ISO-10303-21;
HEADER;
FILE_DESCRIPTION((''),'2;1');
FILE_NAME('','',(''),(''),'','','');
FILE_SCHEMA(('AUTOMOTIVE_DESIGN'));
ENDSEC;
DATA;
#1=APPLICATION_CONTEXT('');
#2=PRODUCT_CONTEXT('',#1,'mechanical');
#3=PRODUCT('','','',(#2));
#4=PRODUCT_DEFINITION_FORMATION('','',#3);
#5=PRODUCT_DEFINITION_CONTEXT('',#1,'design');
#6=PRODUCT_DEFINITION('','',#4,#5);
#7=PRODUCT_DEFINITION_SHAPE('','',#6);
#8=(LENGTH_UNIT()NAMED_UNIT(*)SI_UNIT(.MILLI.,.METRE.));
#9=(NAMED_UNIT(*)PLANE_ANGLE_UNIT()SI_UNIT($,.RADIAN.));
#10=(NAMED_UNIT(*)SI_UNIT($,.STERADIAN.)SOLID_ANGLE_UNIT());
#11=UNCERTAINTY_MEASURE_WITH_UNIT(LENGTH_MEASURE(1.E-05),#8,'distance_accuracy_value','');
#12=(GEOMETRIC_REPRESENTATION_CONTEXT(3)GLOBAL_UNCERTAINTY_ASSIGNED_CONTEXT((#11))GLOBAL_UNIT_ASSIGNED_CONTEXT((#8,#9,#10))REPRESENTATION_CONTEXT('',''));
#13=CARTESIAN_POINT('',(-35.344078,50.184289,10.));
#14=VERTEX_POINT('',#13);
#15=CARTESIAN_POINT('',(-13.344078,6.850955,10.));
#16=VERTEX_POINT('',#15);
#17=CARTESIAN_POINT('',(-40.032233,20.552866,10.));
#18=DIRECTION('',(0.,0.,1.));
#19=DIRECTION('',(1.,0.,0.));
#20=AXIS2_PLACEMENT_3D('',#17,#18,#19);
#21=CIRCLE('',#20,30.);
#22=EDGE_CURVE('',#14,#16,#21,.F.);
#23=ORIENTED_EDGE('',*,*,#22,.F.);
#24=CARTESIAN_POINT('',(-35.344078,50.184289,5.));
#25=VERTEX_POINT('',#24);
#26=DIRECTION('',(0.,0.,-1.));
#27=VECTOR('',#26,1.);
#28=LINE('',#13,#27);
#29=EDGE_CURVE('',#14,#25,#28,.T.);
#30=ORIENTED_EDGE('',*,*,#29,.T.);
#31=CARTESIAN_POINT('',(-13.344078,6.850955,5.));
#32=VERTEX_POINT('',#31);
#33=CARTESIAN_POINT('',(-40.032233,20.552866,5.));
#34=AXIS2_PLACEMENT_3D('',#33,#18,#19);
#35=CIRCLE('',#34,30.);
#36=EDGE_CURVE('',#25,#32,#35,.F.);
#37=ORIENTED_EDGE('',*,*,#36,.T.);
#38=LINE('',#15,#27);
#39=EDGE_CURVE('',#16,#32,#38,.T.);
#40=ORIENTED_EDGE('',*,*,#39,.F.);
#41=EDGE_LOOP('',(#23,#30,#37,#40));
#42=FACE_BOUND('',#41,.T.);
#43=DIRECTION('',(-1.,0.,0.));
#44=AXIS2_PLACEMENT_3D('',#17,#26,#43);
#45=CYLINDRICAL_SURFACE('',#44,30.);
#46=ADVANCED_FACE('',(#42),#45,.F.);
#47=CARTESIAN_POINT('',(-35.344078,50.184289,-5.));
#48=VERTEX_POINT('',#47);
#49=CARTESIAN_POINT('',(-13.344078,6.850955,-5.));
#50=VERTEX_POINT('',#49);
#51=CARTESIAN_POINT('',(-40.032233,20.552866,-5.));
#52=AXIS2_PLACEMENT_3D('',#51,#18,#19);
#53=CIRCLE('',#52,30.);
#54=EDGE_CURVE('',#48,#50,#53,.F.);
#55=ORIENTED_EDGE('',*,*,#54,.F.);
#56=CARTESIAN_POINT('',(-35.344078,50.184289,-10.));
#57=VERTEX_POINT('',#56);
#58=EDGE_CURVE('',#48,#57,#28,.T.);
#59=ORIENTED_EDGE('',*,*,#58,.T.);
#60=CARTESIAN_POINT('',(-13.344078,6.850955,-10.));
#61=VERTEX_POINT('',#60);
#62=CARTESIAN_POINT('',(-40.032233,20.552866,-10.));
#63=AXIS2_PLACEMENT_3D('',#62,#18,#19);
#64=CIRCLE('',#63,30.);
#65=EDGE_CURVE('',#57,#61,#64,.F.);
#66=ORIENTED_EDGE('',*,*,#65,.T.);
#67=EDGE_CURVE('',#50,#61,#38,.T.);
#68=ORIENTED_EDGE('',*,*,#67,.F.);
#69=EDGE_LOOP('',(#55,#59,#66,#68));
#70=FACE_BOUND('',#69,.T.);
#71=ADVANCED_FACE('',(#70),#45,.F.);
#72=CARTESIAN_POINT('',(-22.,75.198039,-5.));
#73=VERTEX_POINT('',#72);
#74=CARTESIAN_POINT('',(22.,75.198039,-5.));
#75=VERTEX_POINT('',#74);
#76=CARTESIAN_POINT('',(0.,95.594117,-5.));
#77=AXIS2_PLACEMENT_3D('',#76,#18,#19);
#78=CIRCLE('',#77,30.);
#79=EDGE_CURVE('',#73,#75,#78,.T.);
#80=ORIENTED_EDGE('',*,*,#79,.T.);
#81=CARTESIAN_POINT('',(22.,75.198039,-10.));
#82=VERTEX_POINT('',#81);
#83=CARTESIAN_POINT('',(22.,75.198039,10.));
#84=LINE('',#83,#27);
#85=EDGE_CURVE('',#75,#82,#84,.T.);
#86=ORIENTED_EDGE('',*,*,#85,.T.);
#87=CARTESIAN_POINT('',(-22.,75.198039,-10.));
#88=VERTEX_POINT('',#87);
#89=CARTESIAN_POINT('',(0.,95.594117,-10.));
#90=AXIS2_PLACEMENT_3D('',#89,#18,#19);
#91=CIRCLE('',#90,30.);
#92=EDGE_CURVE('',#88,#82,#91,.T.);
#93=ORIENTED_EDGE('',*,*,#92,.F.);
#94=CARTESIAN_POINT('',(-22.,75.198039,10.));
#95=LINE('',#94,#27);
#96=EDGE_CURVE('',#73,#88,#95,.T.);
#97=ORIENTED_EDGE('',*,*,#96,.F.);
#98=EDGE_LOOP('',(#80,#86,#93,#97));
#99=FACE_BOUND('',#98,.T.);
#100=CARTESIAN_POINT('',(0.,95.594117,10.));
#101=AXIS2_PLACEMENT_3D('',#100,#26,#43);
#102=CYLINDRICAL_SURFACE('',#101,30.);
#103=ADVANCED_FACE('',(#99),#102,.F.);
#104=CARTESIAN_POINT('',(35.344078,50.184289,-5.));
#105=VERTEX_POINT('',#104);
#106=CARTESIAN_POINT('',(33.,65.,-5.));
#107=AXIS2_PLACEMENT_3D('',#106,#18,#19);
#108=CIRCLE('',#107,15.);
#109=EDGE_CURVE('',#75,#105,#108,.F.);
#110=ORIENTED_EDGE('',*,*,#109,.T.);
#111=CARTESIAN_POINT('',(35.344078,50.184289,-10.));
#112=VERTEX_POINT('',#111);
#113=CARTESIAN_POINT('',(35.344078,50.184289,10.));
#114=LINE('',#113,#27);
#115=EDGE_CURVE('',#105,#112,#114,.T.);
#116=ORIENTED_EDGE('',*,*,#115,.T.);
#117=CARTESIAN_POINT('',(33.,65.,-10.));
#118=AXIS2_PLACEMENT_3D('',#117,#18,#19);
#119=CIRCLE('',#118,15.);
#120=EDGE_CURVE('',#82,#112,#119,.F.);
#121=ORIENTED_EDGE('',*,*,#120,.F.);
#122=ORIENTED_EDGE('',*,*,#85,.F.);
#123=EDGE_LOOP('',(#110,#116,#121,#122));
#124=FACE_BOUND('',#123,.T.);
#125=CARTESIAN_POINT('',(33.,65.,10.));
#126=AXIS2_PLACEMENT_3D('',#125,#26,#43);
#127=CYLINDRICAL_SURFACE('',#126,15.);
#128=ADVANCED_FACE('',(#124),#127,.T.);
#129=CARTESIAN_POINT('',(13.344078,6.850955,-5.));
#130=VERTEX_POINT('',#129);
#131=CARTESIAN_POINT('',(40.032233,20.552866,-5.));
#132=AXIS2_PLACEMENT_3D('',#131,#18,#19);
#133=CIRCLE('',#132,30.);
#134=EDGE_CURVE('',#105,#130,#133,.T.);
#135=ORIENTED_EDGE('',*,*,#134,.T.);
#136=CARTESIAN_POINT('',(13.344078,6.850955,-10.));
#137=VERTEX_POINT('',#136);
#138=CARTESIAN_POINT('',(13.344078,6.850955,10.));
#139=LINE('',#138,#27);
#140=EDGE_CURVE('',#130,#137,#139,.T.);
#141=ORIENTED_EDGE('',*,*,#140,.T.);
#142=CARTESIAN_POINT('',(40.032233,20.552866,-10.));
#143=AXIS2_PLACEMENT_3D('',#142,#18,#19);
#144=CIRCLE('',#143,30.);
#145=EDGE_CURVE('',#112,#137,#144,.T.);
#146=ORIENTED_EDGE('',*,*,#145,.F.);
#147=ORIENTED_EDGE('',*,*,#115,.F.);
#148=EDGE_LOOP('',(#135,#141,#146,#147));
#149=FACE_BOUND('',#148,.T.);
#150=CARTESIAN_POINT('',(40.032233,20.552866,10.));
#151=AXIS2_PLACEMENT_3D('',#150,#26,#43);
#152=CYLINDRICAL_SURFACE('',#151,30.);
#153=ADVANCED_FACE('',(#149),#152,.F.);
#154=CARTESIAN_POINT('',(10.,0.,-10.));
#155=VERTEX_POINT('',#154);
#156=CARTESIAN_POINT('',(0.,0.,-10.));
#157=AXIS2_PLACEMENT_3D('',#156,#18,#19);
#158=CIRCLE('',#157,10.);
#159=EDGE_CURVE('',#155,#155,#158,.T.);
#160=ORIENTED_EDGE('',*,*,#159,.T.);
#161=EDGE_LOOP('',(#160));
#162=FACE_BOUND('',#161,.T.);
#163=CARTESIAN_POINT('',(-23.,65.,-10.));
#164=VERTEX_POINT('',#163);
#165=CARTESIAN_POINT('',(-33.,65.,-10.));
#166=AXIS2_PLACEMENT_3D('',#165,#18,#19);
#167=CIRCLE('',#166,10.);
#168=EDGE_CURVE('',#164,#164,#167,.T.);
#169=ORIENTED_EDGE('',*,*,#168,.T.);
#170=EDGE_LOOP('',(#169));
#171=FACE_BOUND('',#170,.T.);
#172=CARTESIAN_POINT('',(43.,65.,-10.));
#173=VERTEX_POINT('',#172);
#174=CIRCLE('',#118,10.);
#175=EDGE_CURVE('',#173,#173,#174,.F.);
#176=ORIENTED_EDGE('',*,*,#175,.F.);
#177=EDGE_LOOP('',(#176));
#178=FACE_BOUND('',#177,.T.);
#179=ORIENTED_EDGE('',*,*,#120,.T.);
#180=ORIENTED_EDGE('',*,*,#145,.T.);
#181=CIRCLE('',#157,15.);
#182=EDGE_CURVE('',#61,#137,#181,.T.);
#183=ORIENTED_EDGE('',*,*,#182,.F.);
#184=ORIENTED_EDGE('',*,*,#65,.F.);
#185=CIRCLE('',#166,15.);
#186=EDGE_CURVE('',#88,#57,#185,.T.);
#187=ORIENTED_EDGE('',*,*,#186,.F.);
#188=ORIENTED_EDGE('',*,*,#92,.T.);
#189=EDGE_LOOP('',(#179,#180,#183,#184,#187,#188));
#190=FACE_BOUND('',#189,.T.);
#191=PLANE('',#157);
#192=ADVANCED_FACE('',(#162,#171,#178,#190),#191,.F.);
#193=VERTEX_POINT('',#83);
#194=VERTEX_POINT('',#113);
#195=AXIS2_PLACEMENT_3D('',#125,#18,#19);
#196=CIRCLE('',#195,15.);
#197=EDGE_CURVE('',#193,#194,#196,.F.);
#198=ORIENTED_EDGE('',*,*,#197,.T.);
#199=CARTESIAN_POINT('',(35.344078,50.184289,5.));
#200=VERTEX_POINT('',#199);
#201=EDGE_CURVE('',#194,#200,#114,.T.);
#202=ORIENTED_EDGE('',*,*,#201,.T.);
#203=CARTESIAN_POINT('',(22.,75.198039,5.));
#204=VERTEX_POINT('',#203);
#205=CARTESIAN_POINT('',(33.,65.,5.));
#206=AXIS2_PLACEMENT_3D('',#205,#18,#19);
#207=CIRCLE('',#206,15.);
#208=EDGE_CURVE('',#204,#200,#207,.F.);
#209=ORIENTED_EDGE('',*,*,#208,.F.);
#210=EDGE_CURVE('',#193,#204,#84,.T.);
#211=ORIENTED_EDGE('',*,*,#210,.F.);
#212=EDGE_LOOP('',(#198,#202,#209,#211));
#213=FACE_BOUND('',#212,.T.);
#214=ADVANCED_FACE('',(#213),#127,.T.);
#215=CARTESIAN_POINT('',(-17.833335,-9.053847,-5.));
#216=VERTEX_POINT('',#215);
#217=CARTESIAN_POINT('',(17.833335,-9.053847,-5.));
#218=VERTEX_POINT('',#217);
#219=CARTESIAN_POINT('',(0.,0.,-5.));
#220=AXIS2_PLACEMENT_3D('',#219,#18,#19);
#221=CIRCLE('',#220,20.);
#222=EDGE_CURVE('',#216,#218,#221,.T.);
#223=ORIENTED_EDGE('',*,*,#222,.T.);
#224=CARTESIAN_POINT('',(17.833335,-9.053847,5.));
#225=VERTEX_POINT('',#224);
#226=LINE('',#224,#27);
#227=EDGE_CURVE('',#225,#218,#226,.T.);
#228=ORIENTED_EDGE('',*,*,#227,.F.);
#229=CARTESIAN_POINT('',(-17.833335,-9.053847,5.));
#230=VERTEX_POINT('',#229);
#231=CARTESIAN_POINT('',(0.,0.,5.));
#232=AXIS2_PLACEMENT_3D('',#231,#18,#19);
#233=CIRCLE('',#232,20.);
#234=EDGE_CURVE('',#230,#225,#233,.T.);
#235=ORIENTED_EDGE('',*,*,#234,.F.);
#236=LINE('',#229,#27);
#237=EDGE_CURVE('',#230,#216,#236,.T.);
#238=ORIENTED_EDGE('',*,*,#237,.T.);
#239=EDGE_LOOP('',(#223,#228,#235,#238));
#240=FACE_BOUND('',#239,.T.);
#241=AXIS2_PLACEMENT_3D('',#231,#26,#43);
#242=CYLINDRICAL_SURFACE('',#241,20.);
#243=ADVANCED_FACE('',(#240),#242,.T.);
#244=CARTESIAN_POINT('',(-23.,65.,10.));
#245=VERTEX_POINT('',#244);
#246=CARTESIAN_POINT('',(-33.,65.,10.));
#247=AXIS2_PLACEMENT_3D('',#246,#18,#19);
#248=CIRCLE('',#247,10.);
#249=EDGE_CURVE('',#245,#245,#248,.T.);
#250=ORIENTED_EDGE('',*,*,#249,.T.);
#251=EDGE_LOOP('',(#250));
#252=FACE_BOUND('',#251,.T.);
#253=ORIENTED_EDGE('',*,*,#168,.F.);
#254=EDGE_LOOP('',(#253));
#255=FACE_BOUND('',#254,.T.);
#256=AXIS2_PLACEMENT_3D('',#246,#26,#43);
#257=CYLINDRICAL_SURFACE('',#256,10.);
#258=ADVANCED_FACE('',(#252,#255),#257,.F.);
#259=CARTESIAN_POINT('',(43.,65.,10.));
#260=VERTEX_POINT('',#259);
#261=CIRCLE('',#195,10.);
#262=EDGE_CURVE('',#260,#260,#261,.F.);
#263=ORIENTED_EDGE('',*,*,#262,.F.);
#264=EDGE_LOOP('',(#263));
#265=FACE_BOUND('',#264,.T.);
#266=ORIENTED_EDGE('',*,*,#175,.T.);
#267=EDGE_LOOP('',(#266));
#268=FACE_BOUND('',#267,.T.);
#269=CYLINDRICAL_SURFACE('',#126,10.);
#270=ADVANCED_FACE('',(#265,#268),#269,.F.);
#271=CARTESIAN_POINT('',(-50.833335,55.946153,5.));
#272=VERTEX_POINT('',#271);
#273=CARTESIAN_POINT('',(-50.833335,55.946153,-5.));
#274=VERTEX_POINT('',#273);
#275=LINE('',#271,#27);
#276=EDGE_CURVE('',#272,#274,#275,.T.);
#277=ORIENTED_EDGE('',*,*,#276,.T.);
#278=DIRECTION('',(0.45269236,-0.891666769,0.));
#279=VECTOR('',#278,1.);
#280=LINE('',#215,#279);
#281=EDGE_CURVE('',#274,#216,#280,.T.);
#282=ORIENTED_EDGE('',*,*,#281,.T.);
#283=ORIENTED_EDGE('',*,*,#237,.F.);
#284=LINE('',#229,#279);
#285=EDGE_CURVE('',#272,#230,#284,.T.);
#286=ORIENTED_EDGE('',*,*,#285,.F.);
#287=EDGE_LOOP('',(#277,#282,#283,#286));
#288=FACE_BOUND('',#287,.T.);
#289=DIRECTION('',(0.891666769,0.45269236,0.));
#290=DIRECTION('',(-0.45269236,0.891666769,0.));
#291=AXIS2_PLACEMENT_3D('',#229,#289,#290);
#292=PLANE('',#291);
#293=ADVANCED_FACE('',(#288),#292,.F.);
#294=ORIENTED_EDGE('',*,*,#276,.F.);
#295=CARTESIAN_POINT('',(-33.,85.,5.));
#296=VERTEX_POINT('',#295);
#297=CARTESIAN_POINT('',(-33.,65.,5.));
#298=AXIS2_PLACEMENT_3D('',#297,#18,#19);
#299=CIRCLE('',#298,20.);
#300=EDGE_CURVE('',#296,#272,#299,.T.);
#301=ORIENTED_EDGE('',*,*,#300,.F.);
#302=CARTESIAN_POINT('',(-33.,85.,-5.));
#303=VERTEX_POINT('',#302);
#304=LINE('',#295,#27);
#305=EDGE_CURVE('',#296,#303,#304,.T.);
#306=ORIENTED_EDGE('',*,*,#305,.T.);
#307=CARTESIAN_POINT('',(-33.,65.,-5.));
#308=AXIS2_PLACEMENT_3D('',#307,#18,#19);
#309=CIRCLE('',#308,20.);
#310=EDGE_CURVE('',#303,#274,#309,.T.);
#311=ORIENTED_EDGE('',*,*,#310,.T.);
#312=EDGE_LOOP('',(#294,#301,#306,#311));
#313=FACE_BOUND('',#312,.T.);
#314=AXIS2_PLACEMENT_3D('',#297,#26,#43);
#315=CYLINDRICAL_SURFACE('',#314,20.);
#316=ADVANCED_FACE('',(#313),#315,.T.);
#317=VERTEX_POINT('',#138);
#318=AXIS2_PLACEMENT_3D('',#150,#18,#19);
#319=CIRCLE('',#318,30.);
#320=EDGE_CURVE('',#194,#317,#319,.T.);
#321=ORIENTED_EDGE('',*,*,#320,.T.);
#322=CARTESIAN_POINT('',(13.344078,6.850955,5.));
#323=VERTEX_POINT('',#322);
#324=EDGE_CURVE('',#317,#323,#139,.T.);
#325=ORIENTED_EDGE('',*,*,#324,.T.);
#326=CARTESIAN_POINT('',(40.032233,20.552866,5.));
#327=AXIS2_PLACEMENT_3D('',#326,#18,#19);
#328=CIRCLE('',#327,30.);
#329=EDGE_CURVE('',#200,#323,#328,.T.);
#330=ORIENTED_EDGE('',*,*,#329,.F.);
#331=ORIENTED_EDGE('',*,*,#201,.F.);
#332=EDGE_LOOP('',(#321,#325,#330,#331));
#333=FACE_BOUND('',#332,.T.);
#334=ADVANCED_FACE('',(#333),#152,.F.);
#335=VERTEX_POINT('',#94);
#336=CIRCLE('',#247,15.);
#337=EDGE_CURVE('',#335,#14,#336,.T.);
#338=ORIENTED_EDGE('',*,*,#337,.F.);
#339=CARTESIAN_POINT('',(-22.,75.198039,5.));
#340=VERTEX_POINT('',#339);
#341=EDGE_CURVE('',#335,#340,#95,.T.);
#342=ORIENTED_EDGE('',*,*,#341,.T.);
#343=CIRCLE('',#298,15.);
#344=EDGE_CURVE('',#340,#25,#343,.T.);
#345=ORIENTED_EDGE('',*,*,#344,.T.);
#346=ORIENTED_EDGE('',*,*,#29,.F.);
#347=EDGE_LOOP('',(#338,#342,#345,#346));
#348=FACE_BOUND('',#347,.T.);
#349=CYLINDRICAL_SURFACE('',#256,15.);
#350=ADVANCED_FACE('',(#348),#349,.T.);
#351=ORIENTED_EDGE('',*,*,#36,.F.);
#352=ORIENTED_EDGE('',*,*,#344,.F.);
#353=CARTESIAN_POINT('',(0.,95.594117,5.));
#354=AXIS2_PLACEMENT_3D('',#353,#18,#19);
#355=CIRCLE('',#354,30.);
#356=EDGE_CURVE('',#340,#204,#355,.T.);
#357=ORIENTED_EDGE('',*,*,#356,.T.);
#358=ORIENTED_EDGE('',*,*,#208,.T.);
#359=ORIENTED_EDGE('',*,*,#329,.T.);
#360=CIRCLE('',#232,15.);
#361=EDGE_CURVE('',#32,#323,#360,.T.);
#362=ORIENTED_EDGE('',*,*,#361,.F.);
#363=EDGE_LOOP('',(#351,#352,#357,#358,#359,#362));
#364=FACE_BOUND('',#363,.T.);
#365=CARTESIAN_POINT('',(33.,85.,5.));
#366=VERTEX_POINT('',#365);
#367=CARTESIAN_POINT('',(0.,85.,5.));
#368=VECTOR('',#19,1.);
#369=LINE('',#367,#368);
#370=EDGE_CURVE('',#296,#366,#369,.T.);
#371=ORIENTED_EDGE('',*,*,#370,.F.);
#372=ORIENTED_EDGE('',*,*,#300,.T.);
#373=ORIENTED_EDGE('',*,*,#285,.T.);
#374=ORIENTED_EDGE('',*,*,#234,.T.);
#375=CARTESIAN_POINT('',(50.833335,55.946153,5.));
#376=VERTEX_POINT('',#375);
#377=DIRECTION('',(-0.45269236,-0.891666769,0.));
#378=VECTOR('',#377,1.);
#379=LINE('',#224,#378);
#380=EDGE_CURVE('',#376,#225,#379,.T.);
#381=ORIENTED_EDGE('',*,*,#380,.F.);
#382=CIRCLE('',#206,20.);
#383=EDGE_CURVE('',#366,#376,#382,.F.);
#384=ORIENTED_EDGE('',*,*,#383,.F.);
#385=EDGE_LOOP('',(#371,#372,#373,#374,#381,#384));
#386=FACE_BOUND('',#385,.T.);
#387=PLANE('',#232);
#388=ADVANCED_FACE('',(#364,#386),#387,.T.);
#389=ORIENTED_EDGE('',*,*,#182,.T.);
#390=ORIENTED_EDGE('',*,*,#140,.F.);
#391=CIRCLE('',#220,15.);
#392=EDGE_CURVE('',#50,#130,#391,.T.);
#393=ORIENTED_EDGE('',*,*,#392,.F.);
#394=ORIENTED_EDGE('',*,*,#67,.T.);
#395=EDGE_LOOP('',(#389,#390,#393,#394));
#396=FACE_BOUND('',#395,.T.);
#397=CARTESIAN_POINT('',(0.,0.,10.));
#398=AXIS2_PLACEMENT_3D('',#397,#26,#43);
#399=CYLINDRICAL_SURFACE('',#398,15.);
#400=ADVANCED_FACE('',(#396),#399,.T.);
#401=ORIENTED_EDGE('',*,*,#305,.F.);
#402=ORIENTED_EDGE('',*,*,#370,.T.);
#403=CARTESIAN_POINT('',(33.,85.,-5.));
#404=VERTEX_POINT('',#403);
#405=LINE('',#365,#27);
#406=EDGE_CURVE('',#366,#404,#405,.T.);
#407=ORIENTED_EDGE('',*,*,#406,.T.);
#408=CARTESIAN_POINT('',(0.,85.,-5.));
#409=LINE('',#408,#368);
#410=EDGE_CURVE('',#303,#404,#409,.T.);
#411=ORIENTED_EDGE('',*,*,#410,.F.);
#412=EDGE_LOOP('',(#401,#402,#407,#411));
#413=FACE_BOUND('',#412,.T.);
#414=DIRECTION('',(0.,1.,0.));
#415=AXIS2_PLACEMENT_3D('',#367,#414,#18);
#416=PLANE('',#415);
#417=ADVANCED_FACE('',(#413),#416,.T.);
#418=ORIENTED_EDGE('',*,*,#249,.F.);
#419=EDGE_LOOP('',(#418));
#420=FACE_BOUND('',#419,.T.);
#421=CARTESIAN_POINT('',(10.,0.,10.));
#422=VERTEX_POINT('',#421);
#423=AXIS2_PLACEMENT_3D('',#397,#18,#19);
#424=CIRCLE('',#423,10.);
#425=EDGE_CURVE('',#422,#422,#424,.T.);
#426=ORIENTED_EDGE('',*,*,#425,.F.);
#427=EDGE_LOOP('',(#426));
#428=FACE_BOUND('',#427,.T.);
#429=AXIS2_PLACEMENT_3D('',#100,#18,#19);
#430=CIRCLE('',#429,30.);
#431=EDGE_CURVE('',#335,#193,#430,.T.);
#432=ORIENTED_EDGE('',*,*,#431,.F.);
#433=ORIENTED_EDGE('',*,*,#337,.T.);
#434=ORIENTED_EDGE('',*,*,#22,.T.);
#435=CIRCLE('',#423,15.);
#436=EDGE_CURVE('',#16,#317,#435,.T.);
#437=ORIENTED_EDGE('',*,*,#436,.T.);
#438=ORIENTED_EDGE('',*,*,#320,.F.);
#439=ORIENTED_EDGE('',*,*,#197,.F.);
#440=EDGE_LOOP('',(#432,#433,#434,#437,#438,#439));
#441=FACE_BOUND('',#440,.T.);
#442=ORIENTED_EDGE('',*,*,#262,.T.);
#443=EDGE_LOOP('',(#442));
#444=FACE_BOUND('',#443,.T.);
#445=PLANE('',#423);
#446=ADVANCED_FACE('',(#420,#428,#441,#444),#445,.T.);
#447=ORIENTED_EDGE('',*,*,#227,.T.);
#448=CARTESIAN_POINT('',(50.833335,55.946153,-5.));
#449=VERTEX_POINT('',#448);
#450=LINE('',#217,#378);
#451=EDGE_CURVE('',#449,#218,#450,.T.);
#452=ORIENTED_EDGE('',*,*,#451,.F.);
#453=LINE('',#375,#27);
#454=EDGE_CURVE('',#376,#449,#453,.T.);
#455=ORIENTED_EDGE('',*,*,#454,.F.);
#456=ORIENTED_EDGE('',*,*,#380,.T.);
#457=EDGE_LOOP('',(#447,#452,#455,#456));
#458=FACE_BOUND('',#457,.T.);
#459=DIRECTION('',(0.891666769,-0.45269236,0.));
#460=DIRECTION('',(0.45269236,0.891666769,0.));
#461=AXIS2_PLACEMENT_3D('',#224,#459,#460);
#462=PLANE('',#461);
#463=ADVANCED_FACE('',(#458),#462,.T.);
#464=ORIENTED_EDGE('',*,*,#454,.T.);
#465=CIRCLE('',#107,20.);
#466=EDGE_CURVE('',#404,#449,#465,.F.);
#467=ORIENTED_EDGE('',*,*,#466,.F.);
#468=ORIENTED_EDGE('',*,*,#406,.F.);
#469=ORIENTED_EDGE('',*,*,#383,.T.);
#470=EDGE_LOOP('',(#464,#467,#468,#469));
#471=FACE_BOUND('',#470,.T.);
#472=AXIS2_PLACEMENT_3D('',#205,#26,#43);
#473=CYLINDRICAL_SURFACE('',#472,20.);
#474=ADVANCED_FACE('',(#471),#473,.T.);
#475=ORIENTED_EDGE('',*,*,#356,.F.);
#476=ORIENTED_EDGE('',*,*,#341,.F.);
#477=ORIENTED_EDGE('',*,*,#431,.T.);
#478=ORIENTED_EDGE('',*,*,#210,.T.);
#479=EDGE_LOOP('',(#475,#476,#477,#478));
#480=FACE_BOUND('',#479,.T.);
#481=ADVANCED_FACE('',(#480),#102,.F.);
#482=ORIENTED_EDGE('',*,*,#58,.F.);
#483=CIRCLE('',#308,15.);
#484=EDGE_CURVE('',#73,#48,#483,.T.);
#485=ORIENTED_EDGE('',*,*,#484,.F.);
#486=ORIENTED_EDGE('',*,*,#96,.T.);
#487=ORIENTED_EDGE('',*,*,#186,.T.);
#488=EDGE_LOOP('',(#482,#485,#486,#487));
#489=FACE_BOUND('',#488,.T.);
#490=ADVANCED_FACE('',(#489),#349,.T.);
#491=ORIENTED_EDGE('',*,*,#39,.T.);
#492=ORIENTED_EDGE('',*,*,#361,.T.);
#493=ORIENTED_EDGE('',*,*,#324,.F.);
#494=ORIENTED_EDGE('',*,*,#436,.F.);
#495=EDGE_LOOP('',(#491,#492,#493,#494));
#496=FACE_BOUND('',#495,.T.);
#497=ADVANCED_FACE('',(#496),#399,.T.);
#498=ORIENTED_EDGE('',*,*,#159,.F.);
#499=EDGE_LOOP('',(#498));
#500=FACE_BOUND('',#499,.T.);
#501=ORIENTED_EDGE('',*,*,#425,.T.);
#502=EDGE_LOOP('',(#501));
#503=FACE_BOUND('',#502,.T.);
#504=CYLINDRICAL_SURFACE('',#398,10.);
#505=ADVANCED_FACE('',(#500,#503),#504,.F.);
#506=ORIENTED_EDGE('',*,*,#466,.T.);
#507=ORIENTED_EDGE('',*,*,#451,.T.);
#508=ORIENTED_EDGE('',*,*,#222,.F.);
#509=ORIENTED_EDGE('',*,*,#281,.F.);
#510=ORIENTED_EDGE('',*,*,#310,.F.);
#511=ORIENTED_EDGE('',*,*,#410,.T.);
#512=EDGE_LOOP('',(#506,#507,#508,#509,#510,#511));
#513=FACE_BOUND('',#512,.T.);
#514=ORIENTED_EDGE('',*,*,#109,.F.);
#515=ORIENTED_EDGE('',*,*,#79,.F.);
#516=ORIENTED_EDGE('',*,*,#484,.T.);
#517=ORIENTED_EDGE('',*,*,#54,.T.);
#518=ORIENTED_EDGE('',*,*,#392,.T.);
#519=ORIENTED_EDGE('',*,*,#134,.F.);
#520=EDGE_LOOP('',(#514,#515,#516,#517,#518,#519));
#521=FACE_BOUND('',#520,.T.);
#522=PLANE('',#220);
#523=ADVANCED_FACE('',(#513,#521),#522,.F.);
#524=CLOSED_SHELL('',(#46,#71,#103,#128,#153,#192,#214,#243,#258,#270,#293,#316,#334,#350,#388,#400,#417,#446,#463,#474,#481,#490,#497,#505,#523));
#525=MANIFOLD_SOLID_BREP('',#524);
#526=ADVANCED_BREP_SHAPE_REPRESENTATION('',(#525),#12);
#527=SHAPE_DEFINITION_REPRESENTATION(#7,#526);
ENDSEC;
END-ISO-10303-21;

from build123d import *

# Parameters (mm, degrees)
SKETCH1_R           = 10
BOSS_EXTRUDE1_DEPTH = 10
BOSS_EXTRUDE2_DEPTH = 5


with BuildPart() as part:
    # Sketch1 → Boss-Extrude1 (new, symmetric)
    with BuildSketch(Plane.XY):
        with BuildLine():
            ThreePointArc((-35.344077706, 50.184288755), (-13.282230039, 34.133637057), (-13.344077706, 6.850955421))
            ThreePointArc((-13.344077706, 6.850955421), (0, -15), (13.344077706, 6.850955421))
            ThreePointArc((13.344077706, 6.850955421), (13.282230039, 34.133637057), (35.344077706, 50.184288755))
            ThreePointArc((35.344077706, 50.184288755), (46.234544698, 72.060228511), (22, 75.198039027))
            ThreePointArc((22, 75.198039027), (0, 65.594117082), (-22, 75.198039027))
            ThreePointArc((-22, 75.198039027), (-46.234544698, 72.060228511), (-35.344077706, 50.184288755))
        make_face()
        Circle(SKETCH1_R, mode=Mode.SUBTRACT)
        with Locations((-33, 65)):
            Circle(SKETCH1_R, mode=Mode.SUBTRACT)
        with Locations((33, 65)):
            Circle(SKETCH1_R, mode=Mode.SUBTRACT)
    extrude(amount=BOSS_EXTRUDE1_DEPTH, both=True)

    # Sketch1<3> → Boss-Extrude2 (add, symmetric)
    with BuildSketch(Plane.XY):
        with BuildLine():
            ThreePointArc((-33, 85), (-50.045189115, 75.462386346), (-50.833335385, 55.946152804))
            Line((-50.833335385, 55.946152804), (-17.833335385, -9.053847196))
            ThreePointArc((-17.833335385, -9.053847196), (0, -20), (17.833335385, -9.053847196))
            Line((17.833335385, -9.053847196), (50.833335385, 55.946152804))
            ThreePointArc((50.833335385, 55.946152804), (50.045189115, 75.462386346), (33, 85))
            Line((33, 85), (-33, 85))
        make_face()
        with BuildLine():
            ThreePointArc((13.344077706, 6.850955421), (0, -15), (-13.344077706, 6.850955421))
            ThreePointArc((-13.344077706, 6.850955421), (-13.282230039, 34.133637057), (-35.344077706, 50.184288755))
            ThreePointArc((-35.344077706, 50.184288755), (-46.234544698, 72.060228511), (-22, 75.198039027))
            ThreePointArc((-22, 75.198039027), (0, 65.594117082), (22, 75.198039027))
            ThreePointArc((22, 75.198039027), (46.234544698, 72.060228511), (35.344077706, 50.184288755))
            ThreePointArc((35.344077706, 50.184288755), (13.282230039, 34.133637057), (13.344077706, 6.850955421))
        make_face(mode=Mode.SUBTRACT)
    extrude(amount=BOSS_EXTRUDE2_DEPTH, both=True)


solid = part.part
